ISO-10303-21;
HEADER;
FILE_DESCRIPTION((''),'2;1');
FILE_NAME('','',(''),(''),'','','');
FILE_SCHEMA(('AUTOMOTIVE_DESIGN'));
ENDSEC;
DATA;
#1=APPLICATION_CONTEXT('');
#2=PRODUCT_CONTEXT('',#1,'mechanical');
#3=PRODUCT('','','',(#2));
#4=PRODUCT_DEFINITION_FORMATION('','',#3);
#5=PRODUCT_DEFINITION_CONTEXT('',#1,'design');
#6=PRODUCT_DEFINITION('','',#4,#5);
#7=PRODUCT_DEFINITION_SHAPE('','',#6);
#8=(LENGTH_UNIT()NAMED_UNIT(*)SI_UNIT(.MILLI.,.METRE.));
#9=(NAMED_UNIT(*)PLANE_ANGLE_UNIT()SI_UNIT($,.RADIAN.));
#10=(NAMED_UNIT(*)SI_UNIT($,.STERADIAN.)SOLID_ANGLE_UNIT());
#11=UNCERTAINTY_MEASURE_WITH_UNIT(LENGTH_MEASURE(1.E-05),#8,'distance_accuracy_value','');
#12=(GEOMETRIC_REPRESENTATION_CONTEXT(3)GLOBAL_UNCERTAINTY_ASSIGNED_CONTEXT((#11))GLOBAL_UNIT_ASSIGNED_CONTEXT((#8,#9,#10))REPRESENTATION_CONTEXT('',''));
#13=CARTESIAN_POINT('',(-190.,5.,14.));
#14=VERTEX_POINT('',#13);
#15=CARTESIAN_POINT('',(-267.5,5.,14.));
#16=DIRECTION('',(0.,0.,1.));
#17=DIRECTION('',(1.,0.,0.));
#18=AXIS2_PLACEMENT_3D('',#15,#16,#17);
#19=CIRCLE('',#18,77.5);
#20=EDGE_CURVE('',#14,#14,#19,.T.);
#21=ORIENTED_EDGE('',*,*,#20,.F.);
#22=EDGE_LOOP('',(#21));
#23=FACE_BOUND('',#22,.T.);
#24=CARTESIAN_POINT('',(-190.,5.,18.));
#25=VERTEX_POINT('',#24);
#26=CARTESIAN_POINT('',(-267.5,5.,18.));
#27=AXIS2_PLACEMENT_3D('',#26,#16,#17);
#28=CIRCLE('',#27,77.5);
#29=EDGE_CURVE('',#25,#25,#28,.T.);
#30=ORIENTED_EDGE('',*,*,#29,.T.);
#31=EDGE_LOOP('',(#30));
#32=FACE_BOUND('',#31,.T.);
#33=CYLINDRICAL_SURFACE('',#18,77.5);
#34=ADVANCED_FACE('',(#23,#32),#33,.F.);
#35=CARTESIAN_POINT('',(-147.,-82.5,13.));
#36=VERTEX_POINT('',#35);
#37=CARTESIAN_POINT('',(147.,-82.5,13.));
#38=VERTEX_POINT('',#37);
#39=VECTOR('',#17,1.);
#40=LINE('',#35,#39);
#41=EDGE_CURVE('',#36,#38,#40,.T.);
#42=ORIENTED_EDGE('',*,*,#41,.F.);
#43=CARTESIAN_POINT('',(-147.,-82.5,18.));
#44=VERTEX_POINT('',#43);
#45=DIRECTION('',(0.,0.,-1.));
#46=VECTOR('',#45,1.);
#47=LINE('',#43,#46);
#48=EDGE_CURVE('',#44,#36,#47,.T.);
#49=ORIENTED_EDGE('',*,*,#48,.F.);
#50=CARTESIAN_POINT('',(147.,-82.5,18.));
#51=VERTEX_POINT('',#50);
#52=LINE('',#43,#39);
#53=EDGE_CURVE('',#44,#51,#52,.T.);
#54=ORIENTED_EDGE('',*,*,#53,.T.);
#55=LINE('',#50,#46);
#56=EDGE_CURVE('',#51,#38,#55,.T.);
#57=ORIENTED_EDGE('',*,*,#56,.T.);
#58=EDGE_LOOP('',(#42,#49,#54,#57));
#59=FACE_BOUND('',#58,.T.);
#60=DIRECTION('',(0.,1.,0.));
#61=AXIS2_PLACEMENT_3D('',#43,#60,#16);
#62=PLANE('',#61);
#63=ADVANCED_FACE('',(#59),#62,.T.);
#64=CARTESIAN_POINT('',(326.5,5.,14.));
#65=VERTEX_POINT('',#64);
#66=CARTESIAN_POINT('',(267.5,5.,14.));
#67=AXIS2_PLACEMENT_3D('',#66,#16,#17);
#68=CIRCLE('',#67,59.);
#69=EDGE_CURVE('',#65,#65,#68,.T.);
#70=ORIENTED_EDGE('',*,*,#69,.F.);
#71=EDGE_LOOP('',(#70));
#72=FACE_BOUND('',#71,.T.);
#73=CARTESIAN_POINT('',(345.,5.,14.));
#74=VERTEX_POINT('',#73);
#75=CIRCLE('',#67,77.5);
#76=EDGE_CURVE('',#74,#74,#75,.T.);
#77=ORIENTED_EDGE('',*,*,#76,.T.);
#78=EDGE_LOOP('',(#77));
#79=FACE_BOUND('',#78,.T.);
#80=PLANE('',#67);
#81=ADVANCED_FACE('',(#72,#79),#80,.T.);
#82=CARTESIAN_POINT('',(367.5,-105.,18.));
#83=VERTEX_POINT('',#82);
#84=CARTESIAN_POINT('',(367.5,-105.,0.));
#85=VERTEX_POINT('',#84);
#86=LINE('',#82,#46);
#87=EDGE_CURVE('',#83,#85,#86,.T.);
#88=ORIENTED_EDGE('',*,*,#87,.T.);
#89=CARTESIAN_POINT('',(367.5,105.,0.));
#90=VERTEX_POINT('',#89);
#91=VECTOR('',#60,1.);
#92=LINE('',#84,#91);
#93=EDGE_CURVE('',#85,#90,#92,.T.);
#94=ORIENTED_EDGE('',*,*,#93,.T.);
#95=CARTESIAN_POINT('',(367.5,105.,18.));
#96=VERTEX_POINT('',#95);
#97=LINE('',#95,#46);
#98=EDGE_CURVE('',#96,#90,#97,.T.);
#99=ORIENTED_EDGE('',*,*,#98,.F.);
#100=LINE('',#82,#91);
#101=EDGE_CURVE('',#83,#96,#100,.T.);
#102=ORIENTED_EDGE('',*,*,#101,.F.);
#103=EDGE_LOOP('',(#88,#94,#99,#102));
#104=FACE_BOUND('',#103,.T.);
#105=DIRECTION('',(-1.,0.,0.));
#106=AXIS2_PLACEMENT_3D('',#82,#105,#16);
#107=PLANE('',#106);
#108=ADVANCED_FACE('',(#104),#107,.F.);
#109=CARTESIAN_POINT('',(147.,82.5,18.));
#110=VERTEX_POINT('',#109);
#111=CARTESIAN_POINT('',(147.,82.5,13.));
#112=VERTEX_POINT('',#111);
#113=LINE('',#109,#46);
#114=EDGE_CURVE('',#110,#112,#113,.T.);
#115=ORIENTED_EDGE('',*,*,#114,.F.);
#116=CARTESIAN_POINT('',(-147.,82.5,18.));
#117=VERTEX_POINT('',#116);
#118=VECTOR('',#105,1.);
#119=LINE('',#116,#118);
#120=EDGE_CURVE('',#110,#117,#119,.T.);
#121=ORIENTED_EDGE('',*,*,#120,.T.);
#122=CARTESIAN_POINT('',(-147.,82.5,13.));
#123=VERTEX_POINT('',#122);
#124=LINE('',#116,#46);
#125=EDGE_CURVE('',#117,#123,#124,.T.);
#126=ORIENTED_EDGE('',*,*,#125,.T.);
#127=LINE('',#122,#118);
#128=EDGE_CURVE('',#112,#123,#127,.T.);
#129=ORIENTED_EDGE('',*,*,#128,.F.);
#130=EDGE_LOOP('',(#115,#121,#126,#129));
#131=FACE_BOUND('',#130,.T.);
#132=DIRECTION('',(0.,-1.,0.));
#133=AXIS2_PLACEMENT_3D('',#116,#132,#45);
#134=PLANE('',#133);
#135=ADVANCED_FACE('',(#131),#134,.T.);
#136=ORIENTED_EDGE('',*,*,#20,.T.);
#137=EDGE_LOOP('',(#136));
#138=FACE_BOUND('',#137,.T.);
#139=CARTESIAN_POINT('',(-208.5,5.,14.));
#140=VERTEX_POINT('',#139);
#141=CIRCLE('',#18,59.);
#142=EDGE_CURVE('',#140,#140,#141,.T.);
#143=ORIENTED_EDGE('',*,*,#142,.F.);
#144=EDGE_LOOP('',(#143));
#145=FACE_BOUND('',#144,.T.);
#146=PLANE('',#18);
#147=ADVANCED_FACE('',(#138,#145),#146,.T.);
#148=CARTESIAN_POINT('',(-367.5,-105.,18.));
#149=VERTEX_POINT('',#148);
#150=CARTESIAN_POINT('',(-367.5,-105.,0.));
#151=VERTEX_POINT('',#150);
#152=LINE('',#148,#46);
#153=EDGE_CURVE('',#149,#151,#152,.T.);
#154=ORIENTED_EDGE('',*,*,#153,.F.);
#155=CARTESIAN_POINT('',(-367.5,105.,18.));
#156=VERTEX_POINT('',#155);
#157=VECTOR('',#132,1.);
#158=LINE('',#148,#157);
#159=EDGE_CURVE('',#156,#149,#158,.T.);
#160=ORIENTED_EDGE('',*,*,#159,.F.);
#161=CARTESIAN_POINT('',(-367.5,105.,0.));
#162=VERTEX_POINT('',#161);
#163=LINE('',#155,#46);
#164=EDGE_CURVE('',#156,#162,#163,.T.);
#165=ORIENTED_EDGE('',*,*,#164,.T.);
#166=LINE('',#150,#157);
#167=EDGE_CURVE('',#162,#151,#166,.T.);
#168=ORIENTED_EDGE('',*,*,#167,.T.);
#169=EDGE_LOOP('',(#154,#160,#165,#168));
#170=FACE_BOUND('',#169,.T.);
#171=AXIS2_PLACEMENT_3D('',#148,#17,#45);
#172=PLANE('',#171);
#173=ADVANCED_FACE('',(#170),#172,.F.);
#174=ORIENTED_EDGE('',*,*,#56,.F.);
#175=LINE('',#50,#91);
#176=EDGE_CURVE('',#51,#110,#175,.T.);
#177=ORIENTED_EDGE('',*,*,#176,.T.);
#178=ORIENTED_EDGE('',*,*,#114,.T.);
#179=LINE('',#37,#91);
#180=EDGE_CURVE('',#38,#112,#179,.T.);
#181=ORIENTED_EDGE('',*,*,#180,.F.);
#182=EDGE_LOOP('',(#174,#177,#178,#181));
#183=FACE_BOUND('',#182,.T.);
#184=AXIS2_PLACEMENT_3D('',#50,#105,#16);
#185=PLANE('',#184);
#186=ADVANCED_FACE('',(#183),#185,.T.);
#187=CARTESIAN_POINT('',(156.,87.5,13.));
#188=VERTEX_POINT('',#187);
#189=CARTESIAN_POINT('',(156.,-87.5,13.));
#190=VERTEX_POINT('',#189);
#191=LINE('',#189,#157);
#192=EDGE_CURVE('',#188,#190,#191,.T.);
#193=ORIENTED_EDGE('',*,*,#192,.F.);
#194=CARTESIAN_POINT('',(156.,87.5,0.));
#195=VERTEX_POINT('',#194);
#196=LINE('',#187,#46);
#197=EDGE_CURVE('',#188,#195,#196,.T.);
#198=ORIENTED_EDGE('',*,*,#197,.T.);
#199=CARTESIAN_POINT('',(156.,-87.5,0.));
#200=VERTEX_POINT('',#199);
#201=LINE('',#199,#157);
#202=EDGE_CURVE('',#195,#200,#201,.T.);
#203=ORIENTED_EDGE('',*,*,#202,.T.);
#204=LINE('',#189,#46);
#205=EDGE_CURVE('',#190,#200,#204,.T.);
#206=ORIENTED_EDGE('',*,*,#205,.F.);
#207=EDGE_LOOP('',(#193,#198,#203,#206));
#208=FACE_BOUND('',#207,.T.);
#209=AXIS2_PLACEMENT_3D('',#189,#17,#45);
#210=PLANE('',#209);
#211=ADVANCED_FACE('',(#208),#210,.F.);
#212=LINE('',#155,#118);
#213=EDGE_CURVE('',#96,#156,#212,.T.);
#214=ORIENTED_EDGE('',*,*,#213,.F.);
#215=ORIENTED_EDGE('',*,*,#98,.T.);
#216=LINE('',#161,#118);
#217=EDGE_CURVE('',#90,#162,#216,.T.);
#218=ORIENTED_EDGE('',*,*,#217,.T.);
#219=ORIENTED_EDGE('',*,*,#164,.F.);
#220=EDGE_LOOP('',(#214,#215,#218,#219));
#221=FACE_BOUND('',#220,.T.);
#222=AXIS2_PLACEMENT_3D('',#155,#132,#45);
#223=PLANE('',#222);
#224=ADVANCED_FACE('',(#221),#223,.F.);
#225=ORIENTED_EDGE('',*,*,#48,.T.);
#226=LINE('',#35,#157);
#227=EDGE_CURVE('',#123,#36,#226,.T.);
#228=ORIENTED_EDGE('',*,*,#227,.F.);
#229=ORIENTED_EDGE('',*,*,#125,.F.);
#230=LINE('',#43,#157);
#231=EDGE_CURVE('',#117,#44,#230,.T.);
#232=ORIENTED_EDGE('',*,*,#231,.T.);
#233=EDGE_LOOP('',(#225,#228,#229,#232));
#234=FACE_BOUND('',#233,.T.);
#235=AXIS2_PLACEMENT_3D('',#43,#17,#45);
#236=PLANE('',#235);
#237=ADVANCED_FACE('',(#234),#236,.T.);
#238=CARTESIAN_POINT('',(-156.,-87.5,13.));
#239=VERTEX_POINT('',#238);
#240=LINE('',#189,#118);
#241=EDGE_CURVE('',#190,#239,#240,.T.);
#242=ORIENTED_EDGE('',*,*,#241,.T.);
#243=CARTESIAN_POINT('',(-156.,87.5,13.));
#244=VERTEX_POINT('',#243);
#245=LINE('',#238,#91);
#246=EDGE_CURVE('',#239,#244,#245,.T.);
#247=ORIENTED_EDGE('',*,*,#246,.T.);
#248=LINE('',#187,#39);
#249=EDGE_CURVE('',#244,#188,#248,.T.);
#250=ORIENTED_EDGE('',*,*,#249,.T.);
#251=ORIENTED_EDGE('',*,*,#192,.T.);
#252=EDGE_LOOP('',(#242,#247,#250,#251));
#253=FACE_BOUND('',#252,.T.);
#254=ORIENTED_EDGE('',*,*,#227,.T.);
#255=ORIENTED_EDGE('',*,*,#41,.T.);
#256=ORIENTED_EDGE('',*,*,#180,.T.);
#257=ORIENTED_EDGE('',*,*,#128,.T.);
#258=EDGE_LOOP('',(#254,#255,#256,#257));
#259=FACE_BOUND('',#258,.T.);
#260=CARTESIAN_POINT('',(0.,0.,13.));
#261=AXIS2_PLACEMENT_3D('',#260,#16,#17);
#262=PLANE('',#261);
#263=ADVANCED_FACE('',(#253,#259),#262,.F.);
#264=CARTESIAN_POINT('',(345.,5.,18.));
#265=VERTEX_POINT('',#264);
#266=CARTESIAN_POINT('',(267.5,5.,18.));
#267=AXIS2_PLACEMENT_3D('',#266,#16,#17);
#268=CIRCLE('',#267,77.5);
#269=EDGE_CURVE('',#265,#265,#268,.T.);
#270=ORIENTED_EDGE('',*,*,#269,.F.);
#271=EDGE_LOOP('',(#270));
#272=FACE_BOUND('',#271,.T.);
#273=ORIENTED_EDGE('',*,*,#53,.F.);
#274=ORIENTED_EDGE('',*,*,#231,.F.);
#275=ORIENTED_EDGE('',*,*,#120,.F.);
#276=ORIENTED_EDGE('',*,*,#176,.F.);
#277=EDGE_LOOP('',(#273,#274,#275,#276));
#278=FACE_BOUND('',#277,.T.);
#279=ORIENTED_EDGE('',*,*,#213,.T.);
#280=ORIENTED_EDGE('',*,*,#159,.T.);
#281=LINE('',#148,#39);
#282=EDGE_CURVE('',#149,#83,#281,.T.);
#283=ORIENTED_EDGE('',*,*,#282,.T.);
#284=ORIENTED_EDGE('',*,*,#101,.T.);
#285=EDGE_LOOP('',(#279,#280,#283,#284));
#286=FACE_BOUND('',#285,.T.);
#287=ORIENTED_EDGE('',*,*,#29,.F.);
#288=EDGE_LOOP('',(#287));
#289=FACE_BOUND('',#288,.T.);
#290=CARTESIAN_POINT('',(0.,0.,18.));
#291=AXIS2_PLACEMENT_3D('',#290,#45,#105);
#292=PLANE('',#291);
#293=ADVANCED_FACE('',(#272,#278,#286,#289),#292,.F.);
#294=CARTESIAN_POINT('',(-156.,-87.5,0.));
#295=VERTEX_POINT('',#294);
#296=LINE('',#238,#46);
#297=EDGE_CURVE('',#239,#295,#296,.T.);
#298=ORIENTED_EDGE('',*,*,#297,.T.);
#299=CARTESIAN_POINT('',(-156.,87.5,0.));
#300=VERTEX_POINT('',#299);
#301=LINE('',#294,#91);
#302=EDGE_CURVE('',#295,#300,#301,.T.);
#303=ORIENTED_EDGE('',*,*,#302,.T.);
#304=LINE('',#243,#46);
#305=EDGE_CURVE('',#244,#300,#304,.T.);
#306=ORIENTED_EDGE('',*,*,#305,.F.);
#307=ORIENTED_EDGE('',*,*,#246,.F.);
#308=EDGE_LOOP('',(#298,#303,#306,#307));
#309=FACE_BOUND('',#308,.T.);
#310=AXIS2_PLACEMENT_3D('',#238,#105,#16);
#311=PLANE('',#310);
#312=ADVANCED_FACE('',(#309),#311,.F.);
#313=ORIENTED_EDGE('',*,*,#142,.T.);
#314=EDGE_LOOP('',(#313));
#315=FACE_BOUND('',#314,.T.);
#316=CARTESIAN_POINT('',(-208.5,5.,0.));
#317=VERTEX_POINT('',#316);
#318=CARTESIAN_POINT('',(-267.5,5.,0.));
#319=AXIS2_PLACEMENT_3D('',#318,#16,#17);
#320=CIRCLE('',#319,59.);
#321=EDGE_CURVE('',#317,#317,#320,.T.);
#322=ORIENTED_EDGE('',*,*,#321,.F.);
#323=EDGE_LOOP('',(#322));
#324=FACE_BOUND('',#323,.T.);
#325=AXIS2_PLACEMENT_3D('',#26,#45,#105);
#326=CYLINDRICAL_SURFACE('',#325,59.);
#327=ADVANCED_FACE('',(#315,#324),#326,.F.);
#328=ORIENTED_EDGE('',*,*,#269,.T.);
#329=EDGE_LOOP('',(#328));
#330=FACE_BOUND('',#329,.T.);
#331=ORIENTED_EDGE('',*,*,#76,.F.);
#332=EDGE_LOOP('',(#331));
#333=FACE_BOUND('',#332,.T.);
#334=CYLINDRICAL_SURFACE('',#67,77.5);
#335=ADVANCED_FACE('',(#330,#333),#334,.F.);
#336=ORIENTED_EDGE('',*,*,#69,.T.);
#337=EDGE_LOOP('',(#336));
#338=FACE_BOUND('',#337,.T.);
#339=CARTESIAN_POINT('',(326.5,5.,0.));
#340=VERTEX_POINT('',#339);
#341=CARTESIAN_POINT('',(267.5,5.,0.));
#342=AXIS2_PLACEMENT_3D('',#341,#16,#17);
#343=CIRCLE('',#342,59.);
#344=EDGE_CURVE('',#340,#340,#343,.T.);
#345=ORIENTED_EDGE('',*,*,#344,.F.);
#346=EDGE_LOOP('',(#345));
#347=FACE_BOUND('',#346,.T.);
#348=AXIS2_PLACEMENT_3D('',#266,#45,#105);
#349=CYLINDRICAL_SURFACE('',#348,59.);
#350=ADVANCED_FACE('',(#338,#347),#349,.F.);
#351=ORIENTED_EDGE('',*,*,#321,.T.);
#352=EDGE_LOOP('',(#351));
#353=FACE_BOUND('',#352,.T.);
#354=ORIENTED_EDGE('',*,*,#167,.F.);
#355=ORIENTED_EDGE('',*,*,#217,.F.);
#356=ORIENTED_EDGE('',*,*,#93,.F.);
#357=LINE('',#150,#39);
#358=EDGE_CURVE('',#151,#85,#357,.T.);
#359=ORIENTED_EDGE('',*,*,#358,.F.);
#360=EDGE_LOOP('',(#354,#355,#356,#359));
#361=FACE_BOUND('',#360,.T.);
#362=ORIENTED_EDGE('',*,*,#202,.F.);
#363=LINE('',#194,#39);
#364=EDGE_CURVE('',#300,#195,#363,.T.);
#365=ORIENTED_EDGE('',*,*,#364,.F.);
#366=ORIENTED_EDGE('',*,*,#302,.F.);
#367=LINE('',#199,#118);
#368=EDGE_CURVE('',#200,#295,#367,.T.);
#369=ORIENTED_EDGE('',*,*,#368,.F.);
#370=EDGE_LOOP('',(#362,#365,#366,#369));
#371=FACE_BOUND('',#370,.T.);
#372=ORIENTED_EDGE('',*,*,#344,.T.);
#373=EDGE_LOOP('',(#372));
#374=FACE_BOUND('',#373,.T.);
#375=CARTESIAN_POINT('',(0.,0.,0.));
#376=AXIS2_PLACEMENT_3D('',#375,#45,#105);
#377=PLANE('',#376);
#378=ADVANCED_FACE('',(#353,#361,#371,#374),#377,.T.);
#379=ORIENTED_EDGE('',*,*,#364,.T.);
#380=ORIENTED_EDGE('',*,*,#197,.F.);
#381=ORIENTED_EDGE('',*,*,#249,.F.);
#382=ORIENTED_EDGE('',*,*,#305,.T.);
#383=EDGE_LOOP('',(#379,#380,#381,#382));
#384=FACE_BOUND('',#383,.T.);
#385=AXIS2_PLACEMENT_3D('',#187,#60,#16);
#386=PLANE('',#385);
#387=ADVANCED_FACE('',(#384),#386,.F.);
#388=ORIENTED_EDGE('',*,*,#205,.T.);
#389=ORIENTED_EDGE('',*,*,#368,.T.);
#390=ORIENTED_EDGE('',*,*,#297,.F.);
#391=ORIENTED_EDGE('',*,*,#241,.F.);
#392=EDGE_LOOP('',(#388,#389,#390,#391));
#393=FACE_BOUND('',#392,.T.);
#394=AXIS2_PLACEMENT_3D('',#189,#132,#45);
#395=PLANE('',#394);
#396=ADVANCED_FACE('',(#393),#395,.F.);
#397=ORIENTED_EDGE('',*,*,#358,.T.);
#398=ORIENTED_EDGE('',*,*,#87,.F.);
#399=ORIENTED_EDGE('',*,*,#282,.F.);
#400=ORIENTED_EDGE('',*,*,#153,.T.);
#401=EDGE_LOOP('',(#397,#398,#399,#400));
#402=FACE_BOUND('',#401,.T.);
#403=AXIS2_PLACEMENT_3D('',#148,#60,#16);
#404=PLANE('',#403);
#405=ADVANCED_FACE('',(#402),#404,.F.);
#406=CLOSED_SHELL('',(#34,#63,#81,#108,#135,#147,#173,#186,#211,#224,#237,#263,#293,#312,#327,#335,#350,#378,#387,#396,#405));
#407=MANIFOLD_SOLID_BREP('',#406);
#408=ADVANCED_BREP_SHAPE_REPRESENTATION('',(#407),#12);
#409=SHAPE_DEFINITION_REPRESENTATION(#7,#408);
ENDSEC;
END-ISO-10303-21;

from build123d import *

# Parameters (mm, degrees)
SKETCH2_W           = 735
SKETCH2_H           = 210
SKETCH2_R           = 59
SKETCH2_W_2         = 294
SKETCH2_H_2         = 165
BOSS_EXTRUDE1_DEPTH = 18
SKETCH3_R           = 77.5
CUT_EXTRUDE1_DEPTH  = 4
SKETCH4_W           = 312
SKETCH4_H           = 175
CUT_EXTRUDE2_DEPTH  = 13


with BuildPart() as part:
    # Sketch2 → Boss-Extrude1 (new body)
    with BuildSketch(Plane.XY):
        Rectangle(SKETCH2_W, SKETCH2_H)
        with Locations((-267.5, 5)):
            Circle(SKETCH2_R, mode=Mode.SUBTRACT)
        with Locations((267.5, 5)):
            Circle(SKETCH2_R, mode=Mode.SUBTRACT)
        Rectangle(SKETCH2_W_2, SKETCH2_H_2, mode=Mode.SUBTRACT)
    extrude(amount=BOSS_EXTRUDE1_DEPTH)

    # Sketch3 → Cut-Extrude1 (cut)
    with BuildSketch(Plane.XY.offset(18)):
        with Locations((-267.5, 5)):
            Circle(SKETCH3_R)
        with Locations((267.5, 5)):
            Circle(SKETCH3_R)
    extrude(amount=-CUT_EXTRUDE1_DEPTH, mode=Mode.SUBTRACT)

    # Sketch4 → Cut-Extrude2 (cut)
    with BuildSketch(Plane(origin=(0, 0, 0), x_dir=(-1, 0, 0), z_dir=(0, 0, -1))):
        Rectangle(SKETCH4_W, SKETCH4_H)
    extrude(amount=-CUT_EXTRUDE2_DEPTH, mode=Mode.SUBTRACT)


solid = part.part
